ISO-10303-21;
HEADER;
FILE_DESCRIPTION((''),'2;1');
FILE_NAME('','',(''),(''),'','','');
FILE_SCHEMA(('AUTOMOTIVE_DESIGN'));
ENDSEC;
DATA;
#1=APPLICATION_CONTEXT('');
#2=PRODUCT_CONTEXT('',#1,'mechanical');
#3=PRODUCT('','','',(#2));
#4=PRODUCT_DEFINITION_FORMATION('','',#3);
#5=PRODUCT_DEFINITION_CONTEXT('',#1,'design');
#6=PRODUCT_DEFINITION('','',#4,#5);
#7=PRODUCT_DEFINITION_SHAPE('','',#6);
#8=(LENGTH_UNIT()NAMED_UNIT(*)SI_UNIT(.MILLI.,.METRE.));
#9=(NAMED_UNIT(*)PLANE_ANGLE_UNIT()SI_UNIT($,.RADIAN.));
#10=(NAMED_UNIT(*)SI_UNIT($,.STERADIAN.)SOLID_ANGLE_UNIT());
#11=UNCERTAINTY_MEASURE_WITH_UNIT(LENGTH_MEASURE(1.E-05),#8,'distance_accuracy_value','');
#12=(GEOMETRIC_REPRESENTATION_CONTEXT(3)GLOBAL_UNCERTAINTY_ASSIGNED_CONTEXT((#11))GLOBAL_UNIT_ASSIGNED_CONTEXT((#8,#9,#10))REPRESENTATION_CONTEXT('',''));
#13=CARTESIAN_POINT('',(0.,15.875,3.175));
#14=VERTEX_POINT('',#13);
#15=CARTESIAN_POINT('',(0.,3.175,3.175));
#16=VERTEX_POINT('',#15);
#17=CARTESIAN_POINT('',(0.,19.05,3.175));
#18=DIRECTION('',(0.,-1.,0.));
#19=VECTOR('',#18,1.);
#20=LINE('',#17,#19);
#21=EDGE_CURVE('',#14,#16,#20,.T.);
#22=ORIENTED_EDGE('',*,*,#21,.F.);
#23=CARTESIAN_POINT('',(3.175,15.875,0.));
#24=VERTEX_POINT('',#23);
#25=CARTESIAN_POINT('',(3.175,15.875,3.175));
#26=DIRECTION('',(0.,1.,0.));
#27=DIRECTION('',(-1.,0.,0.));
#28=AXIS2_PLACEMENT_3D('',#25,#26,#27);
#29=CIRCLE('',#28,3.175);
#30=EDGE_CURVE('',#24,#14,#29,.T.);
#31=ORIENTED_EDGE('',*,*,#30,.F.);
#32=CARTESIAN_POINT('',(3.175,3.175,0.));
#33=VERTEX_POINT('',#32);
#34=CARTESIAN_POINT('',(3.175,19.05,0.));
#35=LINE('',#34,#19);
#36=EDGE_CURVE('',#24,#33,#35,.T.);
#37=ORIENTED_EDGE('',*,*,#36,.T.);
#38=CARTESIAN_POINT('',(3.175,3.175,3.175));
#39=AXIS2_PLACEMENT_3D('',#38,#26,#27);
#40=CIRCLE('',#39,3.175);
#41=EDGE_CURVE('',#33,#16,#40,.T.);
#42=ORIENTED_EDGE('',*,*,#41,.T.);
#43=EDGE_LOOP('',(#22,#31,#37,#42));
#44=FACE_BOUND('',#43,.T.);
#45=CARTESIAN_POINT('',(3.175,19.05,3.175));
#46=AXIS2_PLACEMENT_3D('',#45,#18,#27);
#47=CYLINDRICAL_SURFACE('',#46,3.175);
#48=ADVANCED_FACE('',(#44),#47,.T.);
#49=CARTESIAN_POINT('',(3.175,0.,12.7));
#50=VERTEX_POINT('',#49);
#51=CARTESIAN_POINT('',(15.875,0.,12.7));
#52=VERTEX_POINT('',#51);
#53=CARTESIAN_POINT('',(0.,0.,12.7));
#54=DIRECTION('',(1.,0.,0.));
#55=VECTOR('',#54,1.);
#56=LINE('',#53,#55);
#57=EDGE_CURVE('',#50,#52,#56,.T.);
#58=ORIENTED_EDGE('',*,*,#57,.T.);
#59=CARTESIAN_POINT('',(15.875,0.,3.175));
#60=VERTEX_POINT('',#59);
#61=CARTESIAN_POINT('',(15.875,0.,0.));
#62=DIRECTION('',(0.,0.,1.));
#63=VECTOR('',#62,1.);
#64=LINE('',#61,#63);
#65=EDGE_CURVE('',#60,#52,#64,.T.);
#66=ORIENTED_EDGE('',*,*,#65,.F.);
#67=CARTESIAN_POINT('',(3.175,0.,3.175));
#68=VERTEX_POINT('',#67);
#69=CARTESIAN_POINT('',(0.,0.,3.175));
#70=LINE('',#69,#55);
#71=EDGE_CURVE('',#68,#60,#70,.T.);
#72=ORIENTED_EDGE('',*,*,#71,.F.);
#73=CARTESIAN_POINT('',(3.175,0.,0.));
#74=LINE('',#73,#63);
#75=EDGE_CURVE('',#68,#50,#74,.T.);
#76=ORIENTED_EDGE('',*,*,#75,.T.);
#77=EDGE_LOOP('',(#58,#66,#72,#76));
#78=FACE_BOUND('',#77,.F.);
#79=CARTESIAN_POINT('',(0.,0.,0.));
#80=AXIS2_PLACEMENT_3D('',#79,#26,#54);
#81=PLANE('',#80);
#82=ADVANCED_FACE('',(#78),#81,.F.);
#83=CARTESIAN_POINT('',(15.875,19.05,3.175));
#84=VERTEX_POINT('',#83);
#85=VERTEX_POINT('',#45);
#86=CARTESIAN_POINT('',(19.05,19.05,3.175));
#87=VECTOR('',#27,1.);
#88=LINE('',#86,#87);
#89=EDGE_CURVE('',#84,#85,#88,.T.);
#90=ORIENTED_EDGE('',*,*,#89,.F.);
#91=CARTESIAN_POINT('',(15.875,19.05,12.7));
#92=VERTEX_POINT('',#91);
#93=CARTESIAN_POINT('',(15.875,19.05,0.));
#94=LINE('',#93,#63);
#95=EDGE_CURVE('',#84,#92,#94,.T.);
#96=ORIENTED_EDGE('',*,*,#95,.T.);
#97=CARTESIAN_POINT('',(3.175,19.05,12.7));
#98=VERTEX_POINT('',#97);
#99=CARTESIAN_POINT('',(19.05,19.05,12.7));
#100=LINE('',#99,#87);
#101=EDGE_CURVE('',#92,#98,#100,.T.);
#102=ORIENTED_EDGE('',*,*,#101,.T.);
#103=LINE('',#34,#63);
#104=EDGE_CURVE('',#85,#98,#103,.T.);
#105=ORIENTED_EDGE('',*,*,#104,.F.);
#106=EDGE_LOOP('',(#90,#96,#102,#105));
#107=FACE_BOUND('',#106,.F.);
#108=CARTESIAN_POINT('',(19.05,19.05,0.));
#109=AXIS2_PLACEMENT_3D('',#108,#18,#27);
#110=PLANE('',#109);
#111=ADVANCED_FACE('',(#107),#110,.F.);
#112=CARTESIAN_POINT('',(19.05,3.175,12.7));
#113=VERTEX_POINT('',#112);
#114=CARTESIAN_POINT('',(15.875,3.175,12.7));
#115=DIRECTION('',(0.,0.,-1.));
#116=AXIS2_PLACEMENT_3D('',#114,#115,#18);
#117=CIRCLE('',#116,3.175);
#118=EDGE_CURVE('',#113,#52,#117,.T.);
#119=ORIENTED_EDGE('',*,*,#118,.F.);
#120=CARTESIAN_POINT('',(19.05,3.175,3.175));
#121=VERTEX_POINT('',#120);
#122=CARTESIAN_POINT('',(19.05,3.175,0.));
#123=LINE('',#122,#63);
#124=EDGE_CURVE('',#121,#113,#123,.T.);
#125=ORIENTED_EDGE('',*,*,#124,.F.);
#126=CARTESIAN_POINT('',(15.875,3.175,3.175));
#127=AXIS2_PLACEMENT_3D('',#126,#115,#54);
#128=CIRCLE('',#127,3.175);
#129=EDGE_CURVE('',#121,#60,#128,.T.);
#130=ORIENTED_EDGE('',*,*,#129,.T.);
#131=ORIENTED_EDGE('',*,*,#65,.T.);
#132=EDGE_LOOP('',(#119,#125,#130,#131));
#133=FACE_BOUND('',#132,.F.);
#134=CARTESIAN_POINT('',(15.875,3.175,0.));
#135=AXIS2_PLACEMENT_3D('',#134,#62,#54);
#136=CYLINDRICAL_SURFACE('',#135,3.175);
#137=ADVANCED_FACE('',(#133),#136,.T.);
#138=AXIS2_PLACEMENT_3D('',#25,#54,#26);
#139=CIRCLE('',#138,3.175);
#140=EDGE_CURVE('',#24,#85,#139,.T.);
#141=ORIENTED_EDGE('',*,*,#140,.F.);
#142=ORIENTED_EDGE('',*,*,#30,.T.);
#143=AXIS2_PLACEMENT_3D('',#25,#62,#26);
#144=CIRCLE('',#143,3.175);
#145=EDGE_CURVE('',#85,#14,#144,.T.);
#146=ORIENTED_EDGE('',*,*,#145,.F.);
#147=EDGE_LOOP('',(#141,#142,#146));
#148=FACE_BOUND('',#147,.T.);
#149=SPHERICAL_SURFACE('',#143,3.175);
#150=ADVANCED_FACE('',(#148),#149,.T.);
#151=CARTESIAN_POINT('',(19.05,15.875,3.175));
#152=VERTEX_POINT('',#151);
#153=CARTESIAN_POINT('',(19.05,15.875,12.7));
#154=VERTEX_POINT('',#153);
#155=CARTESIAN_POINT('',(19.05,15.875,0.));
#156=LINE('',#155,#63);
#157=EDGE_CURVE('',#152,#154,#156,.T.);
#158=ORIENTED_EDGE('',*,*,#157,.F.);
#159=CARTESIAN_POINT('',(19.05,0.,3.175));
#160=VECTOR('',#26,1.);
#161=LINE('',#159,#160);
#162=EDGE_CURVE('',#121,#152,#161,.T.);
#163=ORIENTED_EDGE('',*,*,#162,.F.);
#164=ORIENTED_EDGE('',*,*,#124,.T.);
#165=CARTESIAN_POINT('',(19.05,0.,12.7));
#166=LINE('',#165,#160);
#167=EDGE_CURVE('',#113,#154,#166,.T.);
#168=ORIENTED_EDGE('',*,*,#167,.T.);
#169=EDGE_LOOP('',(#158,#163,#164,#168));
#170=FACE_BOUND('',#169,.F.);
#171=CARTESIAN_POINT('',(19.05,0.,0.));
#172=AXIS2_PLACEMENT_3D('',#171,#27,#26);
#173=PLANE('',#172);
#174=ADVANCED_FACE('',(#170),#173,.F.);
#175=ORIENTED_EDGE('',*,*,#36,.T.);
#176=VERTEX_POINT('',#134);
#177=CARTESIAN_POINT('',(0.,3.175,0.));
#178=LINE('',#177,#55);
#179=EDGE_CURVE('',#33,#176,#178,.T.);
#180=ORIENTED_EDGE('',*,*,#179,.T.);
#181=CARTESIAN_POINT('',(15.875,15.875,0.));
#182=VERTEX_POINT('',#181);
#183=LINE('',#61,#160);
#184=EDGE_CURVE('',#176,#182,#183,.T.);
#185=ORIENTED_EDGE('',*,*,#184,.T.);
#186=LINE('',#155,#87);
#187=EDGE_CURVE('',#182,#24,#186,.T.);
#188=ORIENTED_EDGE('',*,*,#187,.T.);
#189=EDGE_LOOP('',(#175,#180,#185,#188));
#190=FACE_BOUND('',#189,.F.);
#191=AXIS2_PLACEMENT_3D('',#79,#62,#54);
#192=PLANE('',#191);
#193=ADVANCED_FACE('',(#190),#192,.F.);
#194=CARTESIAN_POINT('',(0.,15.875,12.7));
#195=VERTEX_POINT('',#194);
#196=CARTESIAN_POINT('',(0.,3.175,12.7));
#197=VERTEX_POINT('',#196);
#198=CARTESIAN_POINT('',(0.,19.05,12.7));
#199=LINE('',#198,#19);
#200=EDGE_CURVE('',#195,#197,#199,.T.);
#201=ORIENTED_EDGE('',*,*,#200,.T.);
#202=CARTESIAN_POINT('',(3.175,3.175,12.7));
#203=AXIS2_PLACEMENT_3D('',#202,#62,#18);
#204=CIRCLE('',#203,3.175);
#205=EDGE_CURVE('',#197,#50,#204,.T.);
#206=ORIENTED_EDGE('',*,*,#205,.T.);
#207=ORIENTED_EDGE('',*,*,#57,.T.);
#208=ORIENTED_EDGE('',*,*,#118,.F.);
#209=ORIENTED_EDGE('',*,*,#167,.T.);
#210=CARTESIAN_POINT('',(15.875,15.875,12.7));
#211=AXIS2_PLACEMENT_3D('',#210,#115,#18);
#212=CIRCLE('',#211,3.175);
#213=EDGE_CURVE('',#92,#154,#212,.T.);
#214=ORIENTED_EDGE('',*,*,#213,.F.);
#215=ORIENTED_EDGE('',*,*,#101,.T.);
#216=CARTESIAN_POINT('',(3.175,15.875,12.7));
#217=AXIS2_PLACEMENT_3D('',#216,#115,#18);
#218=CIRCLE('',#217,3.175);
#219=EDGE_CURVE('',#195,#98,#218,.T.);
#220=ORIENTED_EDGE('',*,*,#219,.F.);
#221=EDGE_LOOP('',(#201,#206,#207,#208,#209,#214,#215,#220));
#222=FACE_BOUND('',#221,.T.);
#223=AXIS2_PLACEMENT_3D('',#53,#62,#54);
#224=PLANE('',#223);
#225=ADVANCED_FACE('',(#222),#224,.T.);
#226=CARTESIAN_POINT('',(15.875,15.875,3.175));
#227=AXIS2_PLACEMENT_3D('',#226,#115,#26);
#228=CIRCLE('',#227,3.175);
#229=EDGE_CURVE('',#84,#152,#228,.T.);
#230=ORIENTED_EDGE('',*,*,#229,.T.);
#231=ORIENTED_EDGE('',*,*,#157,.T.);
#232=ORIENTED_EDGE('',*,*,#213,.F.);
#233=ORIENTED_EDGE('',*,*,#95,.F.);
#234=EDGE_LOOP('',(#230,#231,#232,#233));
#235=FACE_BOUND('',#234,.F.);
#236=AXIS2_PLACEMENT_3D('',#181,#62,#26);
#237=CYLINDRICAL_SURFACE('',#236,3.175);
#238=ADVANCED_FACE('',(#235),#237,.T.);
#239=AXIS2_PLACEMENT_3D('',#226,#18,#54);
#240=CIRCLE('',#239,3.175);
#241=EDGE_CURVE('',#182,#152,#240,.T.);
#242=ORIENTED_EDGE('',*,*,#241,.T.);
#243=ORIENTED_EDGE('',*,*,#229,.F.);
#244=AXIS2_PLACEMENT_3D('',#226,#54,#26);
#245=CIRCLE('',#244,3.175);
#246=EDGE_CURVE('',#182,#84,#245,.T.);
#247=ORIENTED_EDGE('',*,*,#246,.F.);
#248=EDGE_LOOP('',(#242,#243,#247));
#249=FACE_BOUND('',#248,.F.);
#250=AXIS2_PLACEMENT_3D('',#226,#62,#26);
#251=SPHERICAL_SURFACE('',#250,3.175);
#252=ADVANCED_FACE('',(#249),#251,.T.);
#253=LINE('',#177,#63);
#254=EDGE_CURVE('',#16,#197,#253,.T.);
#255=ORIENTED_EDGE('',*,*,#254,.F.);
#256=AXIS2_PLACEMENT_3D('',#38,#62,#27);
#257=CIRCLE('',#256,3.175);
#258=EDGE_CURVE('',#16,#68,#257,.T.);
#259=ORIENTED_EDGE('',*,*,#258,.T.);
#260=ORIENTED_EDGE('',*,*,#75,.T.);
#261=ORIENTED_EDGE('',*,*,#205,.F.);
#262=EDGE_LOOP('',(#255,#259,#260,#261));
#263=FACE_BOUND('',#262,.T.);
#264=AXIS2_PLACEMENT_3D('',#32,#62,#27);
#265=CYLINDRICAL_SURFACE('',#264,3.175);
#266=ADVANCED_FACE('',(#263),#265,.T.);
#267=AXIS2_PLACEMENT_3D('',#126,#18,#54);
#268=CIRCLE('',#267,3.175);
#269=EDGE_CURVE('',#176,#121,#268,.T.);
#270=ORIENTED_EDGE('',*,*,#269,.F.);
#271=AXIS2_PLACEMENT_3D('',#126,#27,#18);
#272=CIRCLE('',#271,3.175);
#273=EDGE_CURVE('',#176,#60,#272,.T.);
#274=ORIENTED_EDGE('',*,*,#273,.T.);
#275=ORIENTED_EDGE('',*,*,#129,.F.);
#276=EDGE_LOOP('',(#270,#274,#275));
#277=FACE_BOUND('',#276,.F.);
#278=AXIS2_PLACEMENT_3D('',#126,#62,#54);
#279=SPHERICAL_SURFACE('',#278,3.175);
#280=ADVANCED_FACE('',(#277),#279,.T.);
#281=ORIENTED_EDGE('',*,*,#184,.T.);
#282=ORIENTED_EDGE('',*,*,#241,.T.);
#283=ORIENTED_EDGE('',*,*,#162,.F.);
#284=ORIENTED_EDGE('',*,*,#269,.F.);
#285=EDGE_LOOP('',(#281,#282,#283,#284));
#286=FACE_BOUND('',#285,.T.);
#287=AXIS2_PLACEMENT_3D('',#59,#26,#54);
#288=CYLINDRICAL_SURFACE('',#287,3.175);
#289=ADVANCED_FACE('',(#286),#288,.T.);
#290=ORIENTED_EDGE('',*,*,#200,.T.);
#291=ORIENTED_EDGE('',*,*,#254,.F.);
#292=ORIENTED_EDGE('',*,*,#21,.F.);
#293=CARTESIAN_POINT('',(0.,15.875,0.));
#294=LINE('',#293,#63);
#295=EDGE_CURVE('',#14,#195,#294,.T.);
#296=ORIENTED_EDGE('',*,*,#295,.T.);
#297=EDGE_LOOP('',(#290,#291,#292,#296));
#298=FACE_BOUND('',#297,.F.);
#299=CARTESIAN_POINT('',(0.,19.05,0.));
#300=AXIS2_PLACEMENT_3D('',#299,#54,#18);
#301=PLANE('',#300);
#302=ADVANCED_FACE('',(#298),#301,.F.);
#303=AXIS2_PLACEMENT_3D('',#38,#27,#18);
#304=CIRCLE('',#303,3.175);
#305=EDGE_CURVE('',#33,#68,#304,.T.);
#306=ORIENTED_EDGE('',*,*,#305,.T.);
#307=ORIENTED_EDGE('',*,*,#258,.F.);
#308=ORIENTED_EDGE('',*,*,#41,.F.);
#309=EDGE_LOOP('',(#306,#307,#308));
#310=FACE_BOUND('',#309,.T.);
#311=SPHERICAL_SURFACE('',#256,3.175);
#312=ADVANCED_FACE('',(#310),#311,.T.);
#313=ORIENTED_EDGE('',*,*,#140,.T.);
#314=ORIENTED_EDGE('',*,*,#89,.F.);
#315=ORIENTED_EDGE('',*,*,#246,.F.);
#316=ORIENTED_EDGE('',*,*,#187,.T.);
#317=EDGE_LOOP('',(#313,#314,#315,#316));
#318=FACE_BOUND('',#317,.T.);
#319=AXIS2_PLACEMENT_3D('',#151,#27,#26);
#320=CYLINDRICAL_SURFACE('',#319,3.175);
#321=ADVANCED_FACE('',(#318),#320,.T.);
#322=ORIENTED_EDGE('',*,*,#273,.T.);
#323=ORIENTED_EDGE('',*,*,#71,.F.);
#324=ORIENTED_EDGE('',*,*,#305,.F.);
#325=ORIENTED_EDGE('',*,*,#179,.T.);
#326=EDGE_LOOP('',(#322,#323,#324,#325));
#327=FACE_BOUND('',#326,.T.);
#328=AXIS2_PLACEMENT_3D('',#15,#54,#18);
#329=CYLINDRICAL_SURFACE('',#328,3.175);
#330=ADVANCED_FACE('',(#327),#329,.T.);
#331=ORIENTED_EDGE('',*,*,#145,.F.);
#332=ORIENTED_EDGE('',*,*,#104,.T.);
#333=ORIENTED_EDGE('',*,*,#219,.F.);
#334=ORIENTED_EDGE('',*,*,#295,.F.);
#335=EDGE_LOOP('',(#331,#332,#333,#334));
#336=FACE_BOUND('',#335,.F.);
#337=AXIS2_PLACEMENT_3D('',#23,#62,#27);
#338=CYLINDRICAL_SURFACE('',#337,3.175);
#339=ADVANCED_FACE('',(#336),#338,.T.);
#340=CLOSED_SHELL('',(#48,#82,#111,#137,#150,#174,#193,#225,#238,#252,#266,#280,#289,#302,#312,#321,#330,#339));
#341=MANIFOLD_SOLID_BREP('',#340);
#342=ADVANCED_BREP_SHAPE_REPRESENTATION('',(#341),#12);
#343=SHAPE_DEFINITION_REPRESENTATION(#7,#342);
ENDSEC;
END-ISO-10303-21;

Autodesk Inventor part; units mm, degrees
ref_plane "YZ Plane" through (0, 0, 0) normal (1, 0, 0) x (0, 1, 0)
ref_plane "XZ Plane" through (0, 0, 0) normal (0, 1, 0) x (-1, 0, 0)
ref_plane "XY Plane" through (0, 0, 0) normal (0, 0, 1) x (1, 0, 0)
sketch "Sketch1" plane through (0, 0, 0) normal (0, 0, 1) x (1, 0, 0)
  line L0 (0, 0) -> (19.05, 0)
  line L1 (19.05, 0) -> (19.05, 19.05)
  line L2 (19.05, 19.05) -> (0, 19.05)
  line L3 (0, 19.05) -> (0, 0)
  dimension "d0" = 19.05
  dimension "d1" = 19.05
extrude "Extrusion1" add sketch "Sketch1" along normal blind 12.7
fillet "Fillet1" radius 3.175 8 edges at (19.05, 19.05, 6.35) (0, 19.05, 6.35) (0, 0, 6.35) (19.05, 0, 6.35) (9.525, 19.05, 0) (0, 9.525, 0) (19.05, 9.525, 0) (9.525, 0, 0)
properties part number "NinjaFeet"
